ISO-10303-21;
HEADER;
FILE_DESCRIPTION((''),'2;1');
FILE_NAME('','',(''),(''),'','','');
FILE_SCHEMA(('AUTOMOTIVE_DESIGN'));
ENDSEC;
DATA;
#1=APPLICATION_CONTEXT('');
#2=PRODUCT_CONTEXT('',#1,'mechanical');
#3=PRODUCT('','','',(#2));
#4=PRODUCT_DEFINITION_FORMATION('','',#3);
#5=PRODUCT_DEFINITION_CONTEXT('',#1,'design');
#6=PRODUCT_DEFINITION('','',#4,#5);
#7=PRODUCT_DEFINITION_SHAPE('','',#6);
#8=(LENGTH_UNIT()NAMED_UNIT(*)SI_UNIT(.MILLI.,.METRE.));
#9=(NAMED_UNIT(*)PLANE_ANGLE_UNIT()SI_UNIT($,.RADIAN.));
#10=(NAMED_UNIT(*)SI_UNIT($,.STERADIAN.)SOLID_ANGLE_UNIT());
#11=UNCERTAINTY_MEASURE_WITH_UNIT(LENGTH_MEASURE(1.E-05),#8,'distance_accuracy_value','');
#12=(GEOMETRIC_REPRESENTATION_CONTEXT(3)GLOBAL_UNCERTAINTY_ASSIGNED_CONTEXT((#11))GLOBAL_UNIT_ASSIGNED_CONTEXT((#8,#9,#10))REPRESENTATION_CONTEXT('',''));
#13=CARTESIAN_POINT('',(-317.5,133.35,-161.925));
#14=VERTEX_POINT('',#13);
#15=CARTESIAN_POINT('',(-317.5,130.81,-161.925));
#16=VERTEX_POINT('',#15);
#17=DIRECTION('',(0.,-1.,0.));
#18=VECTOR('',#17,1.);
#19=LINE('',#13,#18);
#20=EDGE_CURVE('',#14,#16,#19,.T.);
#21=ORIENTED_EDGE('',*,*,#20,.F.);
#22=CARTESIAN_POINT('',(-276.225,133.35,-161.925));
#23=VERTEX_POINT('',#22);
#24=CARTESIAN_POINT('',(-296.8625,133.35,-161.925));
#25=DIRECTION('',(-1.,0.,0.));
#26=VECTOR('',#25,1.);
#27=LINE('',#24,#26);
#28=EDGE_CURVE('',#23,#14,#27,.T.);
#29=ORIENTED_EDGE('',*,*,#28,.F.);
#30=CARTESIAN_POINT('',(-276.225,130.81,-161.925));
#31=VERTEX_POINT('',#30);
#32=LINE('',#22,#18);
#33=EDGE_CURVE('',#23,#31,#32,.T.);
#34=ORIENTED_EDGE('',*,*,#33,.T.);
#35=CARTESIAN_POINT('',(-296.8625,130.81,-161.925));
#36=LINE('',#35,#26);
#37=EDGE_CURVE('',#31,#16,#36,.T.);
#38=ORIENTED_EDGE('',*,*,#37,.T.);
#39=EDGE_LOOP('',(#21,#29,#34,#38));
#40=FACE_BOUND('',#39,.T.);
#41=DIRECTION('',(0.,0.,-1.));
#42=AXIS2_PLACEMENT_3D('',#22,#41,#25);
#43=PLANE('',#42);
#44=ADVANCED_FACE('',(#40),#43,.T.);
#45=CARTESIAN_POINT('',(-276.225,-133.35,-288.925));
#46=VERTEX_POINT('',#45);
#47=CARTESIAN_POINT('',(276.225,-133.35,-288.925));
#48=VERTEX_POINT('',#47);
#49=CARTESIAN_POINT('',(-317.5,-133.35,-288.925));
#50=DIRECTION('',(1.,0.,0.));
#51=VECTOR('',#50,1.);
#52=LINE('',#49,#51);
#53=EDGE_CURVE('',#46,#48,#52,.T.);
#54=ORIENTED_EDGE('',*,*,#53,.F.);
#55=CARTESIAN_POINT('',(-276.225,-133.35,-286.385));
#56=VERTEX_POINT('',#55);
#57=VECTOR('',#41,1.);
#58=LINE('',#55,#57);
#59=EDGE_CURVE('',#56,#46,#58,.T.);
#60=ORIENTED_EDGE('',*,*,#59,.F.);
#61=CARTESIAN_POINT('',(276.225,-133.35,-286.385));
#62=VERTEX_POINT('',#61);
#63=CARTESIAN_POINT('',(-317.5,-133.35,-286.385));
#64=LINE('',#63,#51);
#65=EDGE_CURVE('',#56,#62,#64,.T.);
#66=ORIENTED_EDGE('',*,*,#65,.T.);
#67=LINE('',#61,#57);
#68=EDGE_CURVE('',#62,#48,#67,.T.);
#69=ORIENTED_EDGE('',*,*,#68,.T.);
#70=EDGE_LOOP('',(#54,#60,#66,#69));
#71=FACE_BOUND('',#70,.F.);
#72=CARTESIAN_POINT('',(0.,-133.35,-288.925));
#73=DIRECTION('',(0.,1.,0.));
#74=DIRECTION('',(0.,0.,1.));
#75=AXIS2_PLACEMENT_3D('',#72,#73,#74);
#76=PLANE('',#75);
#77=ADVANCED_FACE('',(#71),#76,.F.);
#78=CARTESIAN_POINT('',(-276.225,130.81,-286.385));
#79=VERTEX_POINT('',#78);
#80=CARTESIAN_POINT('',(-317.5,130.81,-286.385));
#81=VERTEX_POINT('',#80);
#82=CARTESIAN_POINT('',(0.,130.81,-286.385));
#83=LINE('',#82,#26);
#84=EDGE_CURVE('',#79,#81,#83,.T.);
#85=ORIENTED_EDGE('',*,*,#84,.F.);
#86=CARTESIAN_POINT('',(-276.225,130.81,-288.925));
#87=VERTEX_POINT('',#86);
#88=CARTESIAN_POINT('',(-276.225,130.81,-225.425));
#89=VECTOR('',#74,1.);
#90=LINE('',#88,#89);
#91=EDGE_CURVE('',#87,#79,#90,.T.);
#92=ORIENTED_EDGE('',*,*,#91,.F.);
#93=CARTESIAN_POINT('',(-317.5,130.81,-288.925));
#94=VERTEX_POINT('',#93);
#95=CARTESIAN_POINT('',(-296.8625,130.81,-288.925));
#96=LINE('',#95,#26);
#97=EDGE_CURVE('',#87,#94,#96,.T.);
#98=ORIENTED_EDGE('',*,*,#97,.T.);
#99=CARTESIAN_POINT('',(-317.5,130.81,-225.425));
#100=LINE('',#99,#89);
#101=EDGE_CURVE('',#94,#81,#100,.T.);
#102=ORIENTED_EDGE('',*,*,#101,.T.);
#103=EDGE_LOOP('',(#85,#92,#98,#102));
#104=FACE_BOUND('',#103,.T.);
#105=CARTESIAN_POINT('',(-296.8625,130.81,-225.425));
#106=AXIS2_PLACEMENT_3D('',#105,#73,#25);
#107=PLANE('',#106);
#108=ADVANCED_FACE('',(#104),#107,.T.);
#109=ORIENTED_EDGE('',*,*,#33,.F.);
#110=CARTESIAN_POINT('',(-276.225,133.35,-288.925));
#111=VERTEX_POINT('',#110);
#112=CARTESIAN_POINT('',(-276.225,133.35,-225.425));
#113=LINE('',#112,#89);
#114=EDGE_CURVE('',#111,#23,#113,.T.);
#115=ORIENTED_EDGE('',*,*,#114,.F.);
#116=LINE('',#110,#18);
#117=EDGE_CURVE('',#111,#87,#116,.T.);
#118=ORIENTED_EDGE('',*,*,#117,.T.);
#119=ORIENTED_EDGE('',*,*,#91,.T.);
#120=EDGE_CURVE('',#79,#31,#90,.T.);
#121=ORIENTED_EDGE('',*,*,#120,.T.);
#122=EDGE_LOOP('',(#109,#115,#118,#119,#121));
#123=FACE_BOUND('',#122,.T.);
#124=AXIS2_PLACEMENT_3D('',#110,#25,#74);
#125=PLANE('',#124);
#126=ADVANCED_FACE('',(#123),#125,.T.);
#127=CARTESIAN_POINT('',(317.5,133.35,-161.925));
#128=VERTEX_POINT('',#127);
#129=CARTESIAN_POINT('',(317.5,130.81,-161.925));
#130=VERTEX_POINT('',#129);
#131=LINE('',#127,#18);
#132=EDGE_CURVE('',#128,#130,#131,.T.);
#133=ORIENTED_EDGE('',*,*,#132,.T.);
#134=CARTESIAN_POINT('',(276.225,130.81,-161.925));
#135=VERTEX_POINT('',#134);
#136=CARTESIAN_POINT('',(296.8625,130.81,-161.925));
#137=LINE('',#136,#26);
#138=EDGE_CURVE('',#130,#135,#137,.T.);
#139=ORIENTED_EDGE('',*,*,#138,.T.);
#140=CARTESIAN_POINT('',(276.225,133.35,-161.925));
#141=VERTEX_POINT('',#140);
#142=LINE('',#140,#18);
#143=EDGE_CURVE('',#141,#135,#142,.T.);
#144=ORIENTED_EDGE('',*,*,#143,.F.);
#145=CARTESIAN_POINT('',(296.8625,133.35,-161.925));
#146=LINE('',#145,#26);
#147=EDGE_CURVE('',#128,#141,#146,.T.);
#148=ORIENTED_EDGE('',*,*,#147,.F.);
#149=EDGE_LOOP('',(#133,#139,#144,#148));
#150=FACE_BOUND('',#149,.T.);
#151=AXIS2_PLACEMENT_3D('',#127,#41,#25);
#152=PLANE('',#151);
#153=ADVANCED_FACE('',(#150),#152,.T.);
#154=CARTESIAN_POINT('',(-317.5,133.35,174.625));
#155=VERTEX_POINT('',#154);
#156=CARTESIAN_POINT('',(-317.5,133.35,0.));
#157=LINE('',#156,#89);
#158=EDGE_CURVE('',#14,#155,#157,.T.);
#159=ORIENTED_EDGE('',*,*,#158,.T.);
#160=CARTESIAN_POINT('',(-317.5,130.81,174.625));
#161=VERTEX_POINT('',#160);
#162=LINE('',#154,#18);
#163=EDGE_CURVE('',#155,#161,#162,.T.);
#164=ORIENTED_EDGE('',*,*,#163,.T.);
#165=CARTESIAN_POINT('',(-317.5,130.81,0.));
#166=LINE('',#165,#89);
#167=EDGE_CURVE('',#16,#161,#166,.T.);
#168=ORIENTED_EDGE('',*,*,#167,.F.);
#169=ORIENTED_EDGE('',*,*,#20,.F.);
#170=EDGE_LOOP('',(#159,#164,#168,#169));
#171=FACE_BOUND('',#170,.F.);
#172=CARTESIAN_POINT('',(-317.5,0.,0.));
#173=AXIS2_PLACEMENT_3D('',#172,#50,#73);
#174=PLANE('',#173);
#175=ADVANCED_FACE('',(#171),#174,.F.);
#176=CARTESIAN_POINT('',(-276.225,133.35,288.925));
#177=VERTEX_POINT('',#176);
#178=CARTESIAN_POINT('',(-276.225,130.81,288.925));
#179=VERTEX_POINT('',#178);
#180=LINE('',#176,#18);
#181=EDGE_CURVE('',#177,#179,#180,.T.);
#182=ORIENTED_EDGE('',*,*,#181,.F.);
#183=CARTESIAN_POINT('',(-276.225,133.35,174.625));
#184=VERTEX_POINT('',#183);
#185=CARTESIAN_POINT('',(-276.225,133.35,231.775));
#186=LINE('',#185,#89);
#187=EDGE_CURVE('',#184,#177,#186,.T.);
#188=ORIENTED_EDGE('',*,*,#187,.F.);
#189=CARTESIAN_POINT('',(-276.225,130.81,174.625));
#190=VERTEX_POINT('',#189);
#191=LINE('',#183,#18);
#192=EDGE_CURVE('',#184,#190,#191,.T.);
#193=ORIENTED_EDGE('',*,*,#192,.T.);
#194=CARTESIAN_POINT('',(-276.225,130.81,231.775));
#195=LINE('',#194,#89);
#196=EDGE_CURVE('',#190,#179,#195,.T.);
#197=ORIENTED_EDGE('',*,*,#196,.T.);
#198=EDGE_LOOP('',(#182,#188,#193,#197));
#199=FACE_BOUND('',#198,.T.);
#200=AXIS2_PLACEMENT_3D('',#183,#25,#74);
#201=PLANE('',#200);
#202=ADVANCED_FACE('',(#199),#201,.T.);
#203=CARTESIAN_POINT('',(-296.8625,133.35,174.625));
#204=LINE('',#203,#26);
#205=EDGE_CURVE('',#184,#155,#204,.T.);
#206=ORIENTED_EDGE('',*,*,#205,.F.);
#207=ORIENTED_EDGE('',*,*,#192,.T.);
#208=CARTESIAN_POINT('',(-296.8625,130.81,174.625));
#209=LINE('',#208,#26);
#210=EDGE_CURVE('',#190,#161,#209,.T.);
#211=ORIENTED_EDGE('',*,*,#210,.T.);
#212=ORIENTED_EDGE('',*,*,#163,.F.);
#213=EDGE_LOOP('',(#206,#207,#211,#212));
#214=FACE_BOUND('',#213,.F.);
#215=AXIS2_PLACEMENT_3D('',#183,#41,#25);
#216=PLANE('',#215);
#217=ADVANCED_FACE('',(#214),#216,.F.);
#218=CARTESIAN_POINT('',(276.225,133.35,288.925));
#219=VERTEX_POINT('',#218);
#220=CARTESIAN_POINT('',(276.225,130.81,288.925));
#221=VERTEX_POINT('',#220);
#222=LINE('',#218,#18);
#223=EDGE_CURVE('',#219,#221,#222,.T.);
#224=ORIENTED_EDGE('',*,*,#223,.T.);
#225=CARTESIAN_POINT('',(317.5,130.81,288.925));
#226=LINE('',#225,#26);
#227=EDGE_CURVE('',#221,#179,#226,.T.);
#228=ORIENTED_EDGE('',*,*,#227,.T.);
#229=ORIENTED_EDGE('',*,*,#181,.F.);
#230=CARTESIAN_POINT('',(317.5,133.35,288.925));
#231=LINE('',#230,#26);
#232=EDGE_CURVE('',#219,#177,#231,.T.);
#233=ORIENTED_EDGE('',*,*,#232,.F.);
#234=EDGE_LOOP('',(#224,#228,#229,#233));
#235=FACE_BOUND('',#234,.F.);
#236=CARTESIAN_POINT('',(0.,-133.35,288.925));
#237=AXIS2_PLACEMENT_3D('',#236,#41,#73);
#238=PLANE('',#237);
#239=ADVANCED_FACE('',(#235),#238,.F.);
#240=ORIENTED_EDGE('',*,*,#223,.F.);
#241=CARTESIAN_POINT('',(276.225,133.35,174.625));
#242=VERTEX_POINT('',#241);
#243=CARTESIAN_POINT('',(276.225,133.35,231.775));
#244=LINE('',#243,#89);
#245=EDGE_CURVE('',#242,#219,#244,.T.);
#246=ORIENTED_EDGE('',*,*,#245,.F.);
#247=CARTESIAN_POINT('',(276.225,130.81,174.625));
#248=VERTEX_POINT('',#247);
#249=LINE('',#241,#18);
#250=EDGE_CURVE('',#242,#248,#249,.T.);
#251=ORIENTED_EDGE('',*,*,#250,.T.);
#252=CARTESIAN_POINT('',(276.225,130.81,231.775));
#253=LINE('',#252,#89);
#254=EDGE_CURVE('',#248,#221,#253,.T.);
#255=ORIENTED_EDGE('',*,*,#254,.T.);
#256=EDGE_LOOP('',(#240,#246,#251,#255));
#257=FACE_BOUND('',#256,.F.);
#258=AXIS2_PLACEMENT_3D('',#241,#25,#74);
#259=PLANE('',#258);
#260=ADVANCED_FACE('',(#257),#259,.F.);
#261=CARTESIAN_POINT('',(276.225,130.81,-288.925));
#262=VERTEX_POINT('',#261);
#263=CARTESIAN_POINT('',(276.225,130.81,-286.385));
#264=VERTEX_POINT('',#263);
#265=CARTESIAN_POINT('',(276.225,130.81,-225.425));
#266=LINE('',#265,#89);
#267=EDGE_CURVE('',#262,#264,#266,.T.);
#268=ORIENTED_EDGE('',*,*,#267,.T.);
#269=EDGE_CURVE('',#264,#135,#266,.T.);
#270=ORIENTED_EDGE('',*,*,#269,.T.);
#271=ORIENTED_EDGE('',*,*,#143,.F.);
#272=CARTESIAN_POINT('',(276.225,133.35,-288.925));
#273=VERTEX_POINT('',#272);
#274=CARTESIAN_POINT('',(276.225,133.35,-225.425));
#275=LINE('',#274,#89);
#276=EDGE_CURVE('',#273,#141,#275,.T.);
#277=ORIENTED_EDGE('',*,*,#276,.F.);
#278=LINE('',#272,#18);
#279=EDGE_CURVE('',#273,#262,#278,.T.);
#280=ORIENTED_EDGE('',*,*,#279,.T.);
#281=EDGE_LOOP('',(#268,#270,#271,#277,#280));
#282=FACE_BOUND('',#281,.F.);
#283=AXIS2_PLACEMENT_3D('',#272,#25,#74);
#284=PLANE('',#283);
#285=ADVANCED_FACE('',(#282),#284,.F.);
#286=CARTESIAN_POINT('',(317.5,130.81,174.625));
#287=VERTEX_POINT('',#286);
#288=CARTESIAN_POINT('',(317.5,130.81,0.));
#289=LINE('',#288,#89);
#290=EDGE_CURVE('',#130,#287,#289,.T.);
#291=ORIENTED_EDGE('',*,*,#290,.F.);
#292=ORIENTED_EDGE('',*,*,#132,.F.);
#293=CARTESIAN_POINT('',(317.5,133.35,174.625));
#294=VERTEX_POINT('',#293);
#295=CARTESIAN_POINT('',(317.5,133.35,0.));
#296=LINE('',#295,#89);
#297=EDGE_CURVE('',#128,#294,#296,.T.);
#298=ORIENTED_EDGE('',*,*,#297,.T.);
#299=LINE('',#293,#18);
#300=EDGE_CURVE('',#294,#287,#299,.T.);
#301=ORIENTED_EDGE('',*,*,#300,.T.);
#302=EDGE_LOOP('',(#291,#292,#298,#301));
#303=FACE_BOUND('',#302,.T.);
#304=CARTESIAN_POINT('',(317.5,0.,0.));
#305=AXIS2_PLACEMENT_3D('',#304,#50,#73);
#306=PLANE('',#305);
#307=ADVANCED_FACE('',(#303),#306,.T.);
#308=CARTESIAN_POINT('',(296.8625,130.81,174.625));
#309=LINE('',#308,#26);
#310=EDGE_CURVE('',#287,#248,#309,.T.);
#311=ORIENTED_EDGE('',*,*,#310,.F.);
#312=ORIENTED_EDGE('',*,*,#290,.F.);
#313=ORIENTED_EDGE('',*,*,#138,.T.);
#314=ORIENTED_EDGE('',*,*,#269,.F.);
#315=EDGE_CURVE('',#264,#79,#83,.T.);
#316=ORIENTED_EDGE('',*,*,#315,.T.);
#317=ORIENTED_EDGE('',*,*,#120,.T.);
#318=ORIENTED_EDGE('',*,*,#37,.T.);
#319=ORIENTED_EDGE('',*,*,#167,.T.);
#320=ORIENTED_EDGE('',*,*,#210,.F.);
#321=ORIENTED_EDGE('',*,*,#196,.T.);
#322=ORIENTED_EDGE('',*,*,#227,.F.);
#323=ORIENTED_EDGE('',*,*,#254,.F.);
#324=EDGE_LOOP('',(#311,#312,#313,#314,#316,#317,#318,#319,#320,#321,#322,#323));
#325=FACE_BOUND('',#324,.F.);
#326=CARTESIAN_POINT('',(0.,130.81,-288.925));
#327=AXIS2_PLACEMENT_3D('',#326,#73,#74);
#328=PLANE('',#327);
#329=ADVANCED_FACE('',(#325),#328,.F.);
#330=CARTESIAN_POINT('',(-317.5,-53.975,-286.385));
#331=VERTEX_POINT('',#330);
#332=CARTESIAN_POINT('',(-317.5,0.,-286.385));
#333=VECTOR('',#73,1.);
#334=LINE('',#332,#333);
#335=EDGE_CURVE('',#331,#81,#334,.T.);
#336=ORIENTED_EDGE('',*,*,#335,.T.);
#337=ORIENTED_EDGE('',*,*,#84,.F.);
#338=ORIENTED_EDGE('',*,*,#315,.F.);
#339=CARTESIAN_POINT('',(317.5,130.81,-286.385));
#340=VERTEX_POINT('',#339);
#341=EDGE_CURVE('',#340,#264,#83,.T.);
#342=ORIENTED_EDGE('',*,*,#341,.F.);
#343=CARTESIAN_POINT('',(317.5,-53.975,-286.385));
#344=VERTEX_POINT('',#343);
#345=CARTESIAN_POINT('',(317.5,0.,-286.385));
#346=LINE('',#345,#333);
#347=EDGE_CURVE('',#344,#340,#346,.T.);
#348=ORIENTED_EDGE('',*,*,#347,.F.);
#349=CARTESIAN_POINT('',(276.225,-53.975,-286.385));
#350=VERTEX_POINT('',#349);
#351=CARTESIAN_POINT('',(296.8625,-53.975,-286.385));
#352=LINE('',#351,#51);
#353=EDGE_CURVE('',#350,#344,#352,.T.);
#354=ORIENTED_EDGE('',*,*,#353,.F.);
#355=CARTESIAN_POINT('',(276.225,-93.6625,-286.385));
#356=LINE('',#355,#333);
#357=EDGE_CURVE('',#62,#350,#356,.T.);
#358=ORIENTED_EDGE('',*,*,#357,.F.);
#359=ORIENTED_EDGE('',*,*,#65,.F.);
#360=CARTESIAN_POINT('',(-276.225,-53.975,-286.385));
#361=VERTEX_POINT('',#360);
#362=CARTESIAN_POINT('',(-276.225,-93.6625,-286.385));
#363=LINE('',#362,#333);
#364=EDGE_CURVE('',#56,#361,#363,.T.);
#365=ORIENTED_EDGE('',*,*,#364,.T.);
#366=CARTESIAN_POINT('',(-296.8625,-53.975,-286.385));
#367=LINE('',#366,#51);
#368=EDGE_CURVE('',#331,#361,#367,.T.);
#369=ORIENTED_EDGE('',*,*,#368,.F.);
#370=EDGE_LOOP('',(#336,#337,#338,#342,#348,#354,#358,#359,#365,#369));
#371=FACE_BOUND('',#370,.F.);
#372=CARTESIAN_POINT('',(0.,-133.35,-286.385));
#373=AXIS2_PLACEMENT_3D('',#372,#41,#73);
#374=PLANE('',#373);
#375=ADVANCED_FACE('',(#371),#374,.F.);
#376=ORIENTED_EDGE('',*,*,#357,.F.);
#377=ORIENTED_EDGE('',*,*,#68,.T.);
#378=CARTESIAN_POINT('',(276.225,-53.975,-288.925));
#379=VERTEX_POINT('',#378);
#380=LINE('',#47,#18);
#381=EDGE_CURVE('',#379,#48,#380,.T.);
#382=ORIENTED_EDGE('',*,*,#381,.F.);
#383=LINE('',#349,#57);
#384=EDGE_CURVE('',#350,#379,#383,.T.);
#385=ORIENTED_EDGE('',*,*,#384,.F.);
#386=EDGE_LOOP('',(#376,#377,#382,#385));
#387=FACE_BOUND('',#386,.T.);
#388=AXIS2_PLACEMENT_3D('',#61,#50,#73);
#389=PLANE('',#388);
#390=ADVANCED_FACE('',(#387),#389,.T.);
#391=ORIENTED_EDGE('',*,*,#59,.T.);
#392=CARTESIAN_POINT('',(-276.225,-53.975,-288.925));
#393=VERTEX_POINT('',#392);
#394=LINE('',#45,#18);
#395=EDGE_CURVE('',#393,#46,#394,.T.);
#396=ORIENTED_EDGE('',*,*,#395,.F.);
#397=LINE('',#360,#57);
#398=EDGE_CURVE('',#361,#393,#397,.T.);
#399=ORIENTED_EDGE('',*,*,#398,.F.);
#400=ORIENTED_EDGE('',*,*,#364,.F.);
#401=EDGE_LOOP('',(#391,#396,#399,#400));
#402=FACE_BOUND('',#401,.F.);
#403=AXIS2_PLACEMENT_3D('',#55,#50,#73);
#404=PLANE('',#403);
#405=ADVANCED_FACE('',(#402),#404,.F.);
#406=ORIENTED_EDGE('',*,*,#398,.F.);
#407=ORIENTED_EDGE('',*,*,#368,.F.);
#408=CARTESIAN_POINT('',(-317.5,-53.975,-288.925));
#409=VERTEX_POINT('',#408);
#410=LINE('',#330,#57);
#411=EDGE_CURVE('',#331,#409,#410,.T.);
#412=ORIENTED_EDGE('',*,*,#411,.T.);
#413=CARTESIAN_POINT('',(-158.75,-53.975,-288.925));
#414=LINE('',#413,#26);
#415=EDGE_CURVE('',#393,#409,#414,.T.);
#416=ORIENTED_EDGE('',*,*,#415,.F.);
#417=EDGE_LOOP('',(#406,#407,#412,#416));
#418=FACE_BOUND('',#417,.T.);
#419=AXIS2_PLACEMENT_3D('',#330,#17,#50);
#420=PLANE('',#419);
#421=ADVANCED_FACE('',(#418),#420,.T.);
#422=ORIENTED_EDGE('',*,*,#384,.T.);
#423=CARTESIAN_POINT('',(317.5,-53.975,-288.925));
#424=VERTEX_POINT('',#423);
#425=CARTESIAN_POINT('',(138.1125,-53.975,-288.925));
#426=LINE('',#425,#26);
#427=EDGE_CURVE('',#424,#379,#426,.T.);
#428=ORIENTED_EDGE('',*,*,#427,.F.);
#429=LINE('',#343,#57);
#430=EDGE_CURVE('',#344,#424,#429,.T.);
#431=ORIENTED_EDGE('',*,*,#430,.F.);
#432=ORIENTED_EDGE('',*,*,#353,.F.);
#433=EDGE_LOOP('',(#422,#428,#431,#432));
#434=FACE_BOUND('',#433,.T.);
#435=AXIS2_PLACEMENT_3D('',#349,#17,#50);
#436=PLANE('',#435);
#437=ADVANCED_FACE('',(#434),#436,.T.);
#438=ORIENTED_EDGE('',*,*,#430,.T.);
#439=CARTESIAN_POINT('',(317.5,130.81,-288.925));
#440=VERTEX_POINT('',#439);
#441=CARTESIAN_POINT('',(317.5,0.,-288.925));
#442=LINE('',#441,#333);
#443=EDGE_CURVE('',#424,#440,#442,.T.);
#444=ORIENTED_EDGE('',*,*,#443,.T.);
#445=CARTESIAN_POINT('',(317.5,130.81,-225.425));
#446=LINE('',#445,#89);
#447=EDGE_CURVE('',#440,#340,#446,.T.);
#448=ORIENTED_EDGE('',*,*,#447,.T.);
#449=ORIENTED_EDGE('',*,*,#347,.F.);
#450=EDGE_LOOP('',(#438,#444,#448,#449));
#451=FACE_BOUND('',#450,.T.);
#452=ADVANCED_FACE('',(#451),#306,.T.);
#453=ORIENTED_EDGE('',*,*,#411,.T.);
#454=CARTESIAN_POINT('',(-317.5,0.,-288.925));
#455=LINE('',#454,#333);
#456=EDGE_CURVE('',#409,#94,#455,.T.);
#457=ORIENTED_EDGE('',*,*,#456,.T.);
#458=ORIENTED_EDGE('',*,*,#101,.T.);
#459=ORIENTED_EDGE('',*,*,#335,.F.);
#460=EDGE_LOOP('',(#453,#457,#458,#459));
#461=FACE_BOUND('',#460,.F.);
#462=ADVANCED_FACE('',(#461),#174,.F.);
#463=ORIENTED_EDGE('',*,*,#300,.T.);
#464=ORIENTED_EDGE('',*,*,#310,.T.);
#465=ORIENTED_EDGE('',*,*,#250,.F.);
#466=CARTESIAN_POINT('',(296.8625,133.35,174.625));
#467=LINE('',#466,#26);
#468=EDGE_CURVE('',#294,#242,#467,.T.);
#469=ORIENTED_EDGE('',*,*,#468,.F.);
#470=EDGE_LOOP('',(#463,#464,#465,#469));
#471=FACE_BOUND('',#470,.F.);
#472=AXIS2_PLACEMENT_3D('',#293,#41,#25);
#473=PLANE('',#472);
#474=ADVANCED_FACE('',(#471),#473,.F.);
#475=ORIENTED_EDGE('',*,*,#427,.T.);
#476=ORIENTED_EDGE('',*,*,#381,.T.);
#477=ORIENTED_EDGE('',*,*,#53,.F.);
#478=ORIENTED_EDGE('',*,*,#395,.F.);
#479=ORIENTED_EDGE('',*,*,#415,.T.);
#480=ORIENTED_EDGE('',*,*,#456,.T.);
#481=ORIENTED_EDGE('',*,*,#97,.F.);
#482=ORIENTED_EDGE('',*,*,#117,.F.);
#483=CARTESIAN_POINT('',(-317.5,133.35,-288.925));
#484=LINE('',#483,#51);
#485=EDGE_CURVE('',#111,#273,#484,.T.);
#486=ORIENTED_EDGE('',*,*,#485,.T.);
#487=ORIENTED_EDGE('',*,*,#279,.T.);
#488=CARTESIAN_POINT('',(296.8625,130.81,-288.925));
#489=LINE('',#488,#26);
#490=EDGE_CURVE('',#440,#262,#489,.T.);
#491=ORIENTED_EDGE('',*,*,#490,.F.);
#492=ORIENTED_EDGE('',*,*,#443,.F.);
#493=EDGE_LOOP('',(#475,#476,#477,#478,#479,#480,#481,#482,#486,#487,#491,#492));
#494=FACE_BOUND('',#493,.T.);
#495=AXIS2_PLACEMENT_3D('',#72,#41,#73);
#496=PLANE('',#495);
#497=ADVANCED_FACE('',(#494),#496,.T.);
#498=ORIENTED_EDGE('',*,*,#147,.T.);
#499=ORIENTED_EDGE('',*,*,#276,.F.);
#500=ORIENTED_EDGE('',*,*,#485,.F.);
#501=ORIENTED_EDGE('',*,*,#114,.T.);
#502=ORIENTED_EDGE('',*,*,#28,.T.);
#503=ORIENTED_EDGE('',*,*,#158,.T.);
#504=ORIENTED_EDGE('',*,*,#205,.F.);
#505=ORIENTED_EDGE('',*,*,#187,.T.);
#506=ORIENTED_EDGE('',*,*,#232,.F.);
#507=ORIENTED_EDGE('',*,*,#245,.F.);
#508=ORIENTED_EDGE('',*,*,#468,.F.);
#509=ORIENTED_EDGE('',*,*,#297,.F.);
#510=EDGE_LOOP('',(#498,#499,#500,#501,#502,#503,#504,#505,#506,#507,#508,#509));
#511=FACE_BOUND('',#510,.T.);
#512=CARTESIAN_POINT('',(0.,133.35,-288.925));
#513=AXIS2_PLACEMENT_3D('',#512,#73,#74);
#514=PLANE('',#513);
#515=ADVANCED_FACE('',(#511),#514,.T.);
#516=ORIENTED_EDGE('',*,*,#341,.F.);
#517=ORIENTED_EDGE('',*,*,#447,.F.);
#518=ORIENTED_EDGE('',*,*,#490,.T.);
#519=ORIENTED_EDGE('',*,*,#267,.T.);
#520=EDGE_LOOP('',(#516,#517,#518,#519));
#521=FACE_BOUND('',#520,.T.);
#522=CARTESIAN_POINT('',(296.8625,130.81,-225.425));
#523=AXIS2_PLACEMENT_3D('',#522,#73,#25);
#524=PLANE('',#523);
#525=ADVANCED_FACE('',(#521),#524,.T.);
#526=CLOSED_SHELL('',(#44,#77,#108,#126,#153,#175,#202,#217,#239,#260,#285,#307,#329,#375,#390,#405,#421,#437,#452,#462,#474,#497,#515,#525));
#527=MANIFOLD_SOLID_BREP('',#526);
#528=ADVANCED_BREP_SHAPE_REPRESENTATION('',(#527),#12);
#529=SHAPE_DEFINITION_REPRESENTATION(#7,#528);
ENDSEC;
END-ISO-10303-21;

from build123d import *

# Parameters (mm, degrees)
F0_W     = 266.7
F0_H     = 577.85
F1_DEPTH = 317.5
F2_T     = -2.54
F3_W     = 41.275
F3_H     = 114.3
F3_H_2   = 127
F4_DEPTH = 2.54
F5_W     = 41.275
F5_H     = 79.375
F6_DEPTH = 2.541


with BuildPart() as f1:
    # F0 (on Right) → F1 (new body, symmetric)
    with BuildSketch(Plane.YZ):
        Rectangle(F0_W, F0_H)
    extrude(amount=F1_DEPTH, both=True)

    # F2
    f2_openings = [f1.faces().sort_by_distance(p)[0] for p in [
        (0, -133.35, 0),
        (0, 0, 288.925),
        (317.5, 0, 0),
        (-317.5, 0, 0),
    ]]
    offset(amount=F2_T, openings=f2_openings)

    # F3 (on face) → F4 (cut, through all)
    with BuildSketch(Plane(origin=(0, 133.35, 0), x_dir=(-1, 0, 0), z_dir=(0, 1, 0))):
        with Locations((-296.8625, 231.775)):
            Rectangle(F3_W, F3_H)
        with Locations((296.8625, 231.775)):
            Rectangle(F3_W, F3_H)
        with Locations((-296.8625, -225.425)):
            Rectangle(F3_W, F3_H_2)
        with Locations((296.8625, -225.425)):
            Rectangle(F3_W, F3_H_2)
    extrude(amount=-F4_DEPTH, mode=Mode.SUBTRACT)

    # F5 (on face) → F6 (cut, through all)
    with BuildSketch(Plane.XY.offset(-286.385)):
        with Locations((-296.8625, -93.6625)):
            Rectangle(F5_W, F5_H)
        with Locations((296.8625, -93.6625)):
            Rectangle(F5_W, F5_H)
    extrude(amount=-F6_DEPTH, mode=Mode.SUBTRACT)


solid = f1.part
